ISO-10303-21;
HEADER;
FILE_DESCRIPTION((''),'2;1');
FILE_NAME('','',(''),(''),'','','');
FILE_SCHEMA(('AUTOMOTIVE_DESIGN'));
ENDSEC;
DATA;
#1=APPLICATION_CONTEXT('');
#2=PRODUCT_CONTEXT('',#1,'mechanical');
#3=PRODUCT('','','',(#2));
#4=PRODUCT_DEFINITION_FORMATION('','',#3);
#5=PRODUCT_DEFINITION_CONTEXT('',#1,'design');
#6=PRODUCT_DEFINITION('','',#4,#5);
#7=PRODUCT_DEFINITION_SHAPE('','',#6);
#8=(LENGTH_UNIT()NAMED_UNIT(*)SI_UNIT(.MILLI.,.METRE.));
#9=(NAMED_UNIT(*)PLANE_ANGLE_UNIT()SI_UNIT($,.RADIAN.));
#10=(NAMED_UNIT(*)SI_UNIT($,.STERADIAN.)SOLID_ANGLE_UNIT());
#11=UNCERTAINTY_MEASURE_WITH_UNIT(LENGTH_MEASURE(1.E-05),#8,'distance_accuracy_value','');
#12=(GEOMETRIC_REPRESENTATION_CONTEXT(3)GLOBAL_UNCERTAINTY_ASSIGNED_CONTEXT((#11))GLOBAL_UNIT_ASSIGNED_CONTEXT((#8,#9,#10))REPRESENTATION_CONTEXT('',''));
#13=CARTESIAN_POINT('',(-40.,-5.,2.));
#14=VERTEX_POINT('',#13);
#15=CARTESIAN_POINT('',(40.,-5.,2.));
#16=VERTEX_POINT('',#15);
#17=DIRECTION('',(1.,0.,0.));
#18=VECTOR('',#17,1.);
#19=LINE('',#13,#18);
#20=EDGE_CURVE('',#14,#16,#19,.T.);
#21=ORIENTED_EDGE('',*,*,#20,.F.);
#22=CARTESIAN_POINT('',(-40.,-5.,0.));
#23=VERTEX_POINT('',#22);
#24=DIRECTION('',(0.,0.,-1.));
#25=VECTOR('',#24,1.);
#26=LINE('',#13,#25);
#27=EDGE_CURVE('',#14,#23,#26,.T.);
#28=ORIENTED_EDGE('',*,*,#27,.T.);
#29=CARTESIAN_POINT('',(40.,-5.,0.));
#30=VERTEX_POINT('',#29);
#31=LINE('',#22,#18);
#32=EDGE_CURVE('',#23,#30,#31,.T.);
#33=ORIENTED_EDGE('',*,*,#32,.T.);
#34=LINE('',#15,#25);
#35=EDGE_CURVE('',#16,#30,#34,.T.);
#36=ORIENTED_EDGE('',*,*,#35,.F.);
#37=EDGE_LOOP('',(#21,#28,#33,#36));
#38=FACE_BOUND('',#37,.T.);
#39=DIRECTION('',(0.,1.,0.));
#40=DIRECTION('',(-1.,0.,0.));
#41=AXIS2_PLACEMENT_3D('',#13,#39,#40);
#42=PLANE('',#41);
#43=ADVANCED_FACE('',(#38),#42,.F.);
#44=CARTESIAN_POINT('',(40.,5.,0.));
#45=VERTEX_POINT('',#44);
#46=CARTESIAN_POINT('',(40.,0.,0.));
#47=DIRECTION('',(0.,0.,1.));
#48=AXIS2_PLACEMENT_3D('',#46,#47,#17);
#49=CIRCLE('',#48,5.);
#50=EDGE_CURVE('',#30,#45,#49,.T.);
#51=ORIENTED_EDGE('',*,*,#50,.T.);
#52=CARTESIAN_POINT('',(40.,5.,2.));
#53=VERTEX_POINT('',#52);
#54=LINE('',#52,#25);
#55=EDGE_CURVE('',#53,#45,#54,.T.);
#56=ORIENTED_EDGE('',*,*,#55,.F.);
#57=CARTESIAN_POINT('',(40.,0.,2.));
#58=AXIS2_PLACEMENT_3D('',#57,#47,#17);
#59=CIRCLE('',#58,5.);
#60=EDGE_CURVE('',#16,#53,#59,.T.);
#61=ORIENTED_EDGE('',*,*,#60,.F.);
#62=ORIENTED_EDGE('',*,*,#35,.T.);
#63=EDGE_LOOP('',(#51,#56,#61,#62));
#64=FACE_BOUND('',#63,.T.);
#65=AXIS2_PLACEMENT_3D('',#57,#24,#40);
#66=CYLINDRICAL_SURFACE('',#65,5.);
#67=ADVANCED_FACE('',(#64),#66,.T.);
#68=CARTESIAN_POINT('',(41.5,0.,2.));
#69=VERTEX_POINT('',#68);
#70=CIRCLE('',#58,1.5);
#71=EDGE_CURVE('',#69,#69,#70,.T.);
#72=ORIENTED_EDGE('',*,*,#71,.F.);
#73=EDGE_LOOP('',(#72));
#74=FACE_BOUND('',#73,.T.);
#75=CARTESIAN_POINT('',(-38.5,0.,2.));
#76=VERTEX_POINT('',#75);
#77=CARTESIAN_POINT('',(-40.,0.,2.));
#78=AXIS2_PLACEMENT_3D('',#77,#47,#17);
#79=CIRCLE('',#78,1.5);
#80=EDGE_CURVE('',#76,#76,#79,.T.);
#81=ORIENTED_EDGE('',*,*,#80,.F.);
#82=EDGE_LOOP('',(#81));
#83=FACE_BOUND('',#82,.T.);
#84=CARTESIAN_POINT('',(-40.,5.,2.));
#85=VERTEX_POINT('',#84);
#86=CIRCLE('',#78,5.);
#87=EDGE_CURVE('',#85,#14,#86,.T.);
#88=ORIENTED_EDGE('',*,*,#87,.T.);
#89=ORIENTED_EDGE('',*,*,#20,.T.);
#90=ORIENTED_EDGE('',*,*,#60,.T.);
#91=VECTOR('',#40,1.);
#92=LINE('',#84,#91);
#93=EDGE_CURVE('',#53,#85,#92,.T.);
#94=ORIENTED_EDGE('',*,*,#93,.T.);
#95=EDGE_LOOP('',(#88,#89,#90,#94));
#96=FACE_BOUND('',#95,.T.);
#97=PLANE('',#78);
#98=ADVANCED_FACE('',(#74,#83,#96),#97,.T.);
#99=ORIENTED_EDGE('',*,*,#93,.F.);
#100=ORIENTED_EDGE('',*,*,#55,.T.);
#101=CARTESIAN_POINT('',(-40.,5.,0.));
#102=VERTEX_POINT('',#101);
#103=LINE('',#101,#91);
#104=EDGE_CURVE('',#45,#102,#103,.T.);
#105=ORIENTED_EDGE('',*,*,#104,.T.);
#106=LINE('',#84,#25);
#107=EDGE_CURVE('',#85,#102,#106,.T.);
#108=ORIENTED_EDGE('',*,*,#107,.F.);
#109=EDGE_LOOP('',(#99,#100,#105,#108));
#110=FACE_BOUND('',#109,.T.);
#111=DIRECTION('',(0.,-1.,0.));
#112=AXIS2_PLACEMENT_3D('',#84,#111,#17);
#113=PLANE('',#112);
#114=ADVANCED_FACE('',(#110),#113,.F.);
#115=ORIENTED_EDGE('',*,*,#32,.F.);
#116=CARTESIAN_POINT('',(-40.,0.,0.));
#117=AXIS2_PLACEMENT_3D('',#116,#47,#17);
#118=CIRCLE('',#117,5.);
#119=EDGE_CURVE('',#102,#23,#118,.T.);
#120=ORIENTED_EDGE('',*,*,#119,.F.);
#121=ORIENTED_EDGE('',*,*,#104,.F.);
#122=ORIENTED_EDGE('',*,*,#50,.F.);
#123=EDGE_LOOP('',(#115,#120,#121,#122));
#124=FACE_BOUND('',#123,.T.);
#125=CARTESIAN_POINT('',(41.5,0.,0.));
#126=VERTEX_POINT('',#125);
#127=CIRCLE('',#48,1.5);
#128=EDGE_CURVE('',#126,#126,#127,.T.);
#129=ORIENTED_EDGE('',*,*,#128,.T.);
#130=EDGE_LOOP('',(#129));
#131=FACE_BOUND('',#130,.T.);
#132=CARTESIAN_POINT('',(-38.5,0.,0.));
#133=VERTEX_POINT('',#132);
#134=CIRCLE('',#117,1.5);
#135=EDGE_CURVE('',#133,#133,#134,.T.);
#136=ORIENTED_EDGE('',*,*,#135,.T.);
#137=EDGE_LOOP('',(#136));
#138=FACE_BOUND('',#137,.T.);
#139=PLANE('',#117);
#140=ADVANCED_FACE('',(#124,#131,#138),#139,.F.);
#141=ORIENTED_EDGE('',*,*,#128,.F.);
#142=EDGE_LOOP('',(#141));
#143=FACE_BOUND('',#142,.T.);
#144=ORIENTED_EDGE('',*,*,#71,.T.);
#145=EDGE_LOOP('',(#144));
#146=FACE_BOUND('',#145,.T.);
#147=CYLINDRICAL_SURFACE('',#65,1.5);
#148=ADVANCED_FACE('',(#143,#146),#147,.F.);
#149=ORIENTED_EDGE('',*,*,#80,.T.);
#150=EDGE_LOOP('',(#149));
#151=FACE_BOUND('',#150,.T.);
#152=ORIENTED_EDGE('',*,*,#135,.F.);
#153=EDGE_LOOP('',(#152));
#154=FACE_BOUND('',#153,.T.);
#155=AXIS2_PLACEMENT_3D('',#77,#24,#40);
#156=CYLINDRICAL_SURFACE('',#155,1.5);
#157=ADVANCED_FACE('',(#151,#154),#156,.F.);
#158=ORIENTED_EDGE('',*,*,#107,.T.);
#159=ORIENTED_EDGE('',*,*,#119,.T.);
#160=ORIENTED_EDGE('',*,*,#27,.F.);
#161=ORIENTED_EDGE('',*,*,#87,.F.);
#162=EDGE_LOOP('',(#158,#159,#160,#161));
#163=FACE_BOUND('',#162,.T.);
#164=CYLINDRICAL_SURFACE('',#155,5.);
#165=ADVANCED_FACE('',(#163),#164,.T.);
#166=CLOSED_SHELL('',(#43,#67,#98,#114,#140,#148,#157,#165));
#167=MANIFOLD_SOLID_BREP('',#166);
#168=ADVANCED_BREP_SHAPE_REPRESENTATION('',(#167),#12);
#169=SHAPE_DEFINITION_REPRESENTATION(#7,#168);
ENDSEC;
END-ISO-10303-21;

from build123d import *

# Parameters (mm, degrees)
ESQUISSE1_R        = 1.5
BOSS_EXTRU_1_DEPTH = 2


with BuildPart() as part:
    # Esquisse1 → Boss.-Extru.1 (new body)
    with BuildSketch(Plane.XY):
        with BuildLine():
            Line((-40, 5), (40, 5))
            ThreePointArc((40, 5), (45, 0), (40, -5))
            Line((40, -5), (-40, -5))
            ThreePointArc((-40, -5), (-45, 0), (-40, 5))
        make_face()
        with Locations((-40, 0)):
            Circle(ESQUISSE1_R, mode=Mode.SUBTRACT)
        with Locations((40, 0)):
            Circle(ESQUISSE1_R, mode=Mode.SUBTRACT)
    extrude(amount=BOSS_EXTRU_1_DEPTH)


solid = part.part
